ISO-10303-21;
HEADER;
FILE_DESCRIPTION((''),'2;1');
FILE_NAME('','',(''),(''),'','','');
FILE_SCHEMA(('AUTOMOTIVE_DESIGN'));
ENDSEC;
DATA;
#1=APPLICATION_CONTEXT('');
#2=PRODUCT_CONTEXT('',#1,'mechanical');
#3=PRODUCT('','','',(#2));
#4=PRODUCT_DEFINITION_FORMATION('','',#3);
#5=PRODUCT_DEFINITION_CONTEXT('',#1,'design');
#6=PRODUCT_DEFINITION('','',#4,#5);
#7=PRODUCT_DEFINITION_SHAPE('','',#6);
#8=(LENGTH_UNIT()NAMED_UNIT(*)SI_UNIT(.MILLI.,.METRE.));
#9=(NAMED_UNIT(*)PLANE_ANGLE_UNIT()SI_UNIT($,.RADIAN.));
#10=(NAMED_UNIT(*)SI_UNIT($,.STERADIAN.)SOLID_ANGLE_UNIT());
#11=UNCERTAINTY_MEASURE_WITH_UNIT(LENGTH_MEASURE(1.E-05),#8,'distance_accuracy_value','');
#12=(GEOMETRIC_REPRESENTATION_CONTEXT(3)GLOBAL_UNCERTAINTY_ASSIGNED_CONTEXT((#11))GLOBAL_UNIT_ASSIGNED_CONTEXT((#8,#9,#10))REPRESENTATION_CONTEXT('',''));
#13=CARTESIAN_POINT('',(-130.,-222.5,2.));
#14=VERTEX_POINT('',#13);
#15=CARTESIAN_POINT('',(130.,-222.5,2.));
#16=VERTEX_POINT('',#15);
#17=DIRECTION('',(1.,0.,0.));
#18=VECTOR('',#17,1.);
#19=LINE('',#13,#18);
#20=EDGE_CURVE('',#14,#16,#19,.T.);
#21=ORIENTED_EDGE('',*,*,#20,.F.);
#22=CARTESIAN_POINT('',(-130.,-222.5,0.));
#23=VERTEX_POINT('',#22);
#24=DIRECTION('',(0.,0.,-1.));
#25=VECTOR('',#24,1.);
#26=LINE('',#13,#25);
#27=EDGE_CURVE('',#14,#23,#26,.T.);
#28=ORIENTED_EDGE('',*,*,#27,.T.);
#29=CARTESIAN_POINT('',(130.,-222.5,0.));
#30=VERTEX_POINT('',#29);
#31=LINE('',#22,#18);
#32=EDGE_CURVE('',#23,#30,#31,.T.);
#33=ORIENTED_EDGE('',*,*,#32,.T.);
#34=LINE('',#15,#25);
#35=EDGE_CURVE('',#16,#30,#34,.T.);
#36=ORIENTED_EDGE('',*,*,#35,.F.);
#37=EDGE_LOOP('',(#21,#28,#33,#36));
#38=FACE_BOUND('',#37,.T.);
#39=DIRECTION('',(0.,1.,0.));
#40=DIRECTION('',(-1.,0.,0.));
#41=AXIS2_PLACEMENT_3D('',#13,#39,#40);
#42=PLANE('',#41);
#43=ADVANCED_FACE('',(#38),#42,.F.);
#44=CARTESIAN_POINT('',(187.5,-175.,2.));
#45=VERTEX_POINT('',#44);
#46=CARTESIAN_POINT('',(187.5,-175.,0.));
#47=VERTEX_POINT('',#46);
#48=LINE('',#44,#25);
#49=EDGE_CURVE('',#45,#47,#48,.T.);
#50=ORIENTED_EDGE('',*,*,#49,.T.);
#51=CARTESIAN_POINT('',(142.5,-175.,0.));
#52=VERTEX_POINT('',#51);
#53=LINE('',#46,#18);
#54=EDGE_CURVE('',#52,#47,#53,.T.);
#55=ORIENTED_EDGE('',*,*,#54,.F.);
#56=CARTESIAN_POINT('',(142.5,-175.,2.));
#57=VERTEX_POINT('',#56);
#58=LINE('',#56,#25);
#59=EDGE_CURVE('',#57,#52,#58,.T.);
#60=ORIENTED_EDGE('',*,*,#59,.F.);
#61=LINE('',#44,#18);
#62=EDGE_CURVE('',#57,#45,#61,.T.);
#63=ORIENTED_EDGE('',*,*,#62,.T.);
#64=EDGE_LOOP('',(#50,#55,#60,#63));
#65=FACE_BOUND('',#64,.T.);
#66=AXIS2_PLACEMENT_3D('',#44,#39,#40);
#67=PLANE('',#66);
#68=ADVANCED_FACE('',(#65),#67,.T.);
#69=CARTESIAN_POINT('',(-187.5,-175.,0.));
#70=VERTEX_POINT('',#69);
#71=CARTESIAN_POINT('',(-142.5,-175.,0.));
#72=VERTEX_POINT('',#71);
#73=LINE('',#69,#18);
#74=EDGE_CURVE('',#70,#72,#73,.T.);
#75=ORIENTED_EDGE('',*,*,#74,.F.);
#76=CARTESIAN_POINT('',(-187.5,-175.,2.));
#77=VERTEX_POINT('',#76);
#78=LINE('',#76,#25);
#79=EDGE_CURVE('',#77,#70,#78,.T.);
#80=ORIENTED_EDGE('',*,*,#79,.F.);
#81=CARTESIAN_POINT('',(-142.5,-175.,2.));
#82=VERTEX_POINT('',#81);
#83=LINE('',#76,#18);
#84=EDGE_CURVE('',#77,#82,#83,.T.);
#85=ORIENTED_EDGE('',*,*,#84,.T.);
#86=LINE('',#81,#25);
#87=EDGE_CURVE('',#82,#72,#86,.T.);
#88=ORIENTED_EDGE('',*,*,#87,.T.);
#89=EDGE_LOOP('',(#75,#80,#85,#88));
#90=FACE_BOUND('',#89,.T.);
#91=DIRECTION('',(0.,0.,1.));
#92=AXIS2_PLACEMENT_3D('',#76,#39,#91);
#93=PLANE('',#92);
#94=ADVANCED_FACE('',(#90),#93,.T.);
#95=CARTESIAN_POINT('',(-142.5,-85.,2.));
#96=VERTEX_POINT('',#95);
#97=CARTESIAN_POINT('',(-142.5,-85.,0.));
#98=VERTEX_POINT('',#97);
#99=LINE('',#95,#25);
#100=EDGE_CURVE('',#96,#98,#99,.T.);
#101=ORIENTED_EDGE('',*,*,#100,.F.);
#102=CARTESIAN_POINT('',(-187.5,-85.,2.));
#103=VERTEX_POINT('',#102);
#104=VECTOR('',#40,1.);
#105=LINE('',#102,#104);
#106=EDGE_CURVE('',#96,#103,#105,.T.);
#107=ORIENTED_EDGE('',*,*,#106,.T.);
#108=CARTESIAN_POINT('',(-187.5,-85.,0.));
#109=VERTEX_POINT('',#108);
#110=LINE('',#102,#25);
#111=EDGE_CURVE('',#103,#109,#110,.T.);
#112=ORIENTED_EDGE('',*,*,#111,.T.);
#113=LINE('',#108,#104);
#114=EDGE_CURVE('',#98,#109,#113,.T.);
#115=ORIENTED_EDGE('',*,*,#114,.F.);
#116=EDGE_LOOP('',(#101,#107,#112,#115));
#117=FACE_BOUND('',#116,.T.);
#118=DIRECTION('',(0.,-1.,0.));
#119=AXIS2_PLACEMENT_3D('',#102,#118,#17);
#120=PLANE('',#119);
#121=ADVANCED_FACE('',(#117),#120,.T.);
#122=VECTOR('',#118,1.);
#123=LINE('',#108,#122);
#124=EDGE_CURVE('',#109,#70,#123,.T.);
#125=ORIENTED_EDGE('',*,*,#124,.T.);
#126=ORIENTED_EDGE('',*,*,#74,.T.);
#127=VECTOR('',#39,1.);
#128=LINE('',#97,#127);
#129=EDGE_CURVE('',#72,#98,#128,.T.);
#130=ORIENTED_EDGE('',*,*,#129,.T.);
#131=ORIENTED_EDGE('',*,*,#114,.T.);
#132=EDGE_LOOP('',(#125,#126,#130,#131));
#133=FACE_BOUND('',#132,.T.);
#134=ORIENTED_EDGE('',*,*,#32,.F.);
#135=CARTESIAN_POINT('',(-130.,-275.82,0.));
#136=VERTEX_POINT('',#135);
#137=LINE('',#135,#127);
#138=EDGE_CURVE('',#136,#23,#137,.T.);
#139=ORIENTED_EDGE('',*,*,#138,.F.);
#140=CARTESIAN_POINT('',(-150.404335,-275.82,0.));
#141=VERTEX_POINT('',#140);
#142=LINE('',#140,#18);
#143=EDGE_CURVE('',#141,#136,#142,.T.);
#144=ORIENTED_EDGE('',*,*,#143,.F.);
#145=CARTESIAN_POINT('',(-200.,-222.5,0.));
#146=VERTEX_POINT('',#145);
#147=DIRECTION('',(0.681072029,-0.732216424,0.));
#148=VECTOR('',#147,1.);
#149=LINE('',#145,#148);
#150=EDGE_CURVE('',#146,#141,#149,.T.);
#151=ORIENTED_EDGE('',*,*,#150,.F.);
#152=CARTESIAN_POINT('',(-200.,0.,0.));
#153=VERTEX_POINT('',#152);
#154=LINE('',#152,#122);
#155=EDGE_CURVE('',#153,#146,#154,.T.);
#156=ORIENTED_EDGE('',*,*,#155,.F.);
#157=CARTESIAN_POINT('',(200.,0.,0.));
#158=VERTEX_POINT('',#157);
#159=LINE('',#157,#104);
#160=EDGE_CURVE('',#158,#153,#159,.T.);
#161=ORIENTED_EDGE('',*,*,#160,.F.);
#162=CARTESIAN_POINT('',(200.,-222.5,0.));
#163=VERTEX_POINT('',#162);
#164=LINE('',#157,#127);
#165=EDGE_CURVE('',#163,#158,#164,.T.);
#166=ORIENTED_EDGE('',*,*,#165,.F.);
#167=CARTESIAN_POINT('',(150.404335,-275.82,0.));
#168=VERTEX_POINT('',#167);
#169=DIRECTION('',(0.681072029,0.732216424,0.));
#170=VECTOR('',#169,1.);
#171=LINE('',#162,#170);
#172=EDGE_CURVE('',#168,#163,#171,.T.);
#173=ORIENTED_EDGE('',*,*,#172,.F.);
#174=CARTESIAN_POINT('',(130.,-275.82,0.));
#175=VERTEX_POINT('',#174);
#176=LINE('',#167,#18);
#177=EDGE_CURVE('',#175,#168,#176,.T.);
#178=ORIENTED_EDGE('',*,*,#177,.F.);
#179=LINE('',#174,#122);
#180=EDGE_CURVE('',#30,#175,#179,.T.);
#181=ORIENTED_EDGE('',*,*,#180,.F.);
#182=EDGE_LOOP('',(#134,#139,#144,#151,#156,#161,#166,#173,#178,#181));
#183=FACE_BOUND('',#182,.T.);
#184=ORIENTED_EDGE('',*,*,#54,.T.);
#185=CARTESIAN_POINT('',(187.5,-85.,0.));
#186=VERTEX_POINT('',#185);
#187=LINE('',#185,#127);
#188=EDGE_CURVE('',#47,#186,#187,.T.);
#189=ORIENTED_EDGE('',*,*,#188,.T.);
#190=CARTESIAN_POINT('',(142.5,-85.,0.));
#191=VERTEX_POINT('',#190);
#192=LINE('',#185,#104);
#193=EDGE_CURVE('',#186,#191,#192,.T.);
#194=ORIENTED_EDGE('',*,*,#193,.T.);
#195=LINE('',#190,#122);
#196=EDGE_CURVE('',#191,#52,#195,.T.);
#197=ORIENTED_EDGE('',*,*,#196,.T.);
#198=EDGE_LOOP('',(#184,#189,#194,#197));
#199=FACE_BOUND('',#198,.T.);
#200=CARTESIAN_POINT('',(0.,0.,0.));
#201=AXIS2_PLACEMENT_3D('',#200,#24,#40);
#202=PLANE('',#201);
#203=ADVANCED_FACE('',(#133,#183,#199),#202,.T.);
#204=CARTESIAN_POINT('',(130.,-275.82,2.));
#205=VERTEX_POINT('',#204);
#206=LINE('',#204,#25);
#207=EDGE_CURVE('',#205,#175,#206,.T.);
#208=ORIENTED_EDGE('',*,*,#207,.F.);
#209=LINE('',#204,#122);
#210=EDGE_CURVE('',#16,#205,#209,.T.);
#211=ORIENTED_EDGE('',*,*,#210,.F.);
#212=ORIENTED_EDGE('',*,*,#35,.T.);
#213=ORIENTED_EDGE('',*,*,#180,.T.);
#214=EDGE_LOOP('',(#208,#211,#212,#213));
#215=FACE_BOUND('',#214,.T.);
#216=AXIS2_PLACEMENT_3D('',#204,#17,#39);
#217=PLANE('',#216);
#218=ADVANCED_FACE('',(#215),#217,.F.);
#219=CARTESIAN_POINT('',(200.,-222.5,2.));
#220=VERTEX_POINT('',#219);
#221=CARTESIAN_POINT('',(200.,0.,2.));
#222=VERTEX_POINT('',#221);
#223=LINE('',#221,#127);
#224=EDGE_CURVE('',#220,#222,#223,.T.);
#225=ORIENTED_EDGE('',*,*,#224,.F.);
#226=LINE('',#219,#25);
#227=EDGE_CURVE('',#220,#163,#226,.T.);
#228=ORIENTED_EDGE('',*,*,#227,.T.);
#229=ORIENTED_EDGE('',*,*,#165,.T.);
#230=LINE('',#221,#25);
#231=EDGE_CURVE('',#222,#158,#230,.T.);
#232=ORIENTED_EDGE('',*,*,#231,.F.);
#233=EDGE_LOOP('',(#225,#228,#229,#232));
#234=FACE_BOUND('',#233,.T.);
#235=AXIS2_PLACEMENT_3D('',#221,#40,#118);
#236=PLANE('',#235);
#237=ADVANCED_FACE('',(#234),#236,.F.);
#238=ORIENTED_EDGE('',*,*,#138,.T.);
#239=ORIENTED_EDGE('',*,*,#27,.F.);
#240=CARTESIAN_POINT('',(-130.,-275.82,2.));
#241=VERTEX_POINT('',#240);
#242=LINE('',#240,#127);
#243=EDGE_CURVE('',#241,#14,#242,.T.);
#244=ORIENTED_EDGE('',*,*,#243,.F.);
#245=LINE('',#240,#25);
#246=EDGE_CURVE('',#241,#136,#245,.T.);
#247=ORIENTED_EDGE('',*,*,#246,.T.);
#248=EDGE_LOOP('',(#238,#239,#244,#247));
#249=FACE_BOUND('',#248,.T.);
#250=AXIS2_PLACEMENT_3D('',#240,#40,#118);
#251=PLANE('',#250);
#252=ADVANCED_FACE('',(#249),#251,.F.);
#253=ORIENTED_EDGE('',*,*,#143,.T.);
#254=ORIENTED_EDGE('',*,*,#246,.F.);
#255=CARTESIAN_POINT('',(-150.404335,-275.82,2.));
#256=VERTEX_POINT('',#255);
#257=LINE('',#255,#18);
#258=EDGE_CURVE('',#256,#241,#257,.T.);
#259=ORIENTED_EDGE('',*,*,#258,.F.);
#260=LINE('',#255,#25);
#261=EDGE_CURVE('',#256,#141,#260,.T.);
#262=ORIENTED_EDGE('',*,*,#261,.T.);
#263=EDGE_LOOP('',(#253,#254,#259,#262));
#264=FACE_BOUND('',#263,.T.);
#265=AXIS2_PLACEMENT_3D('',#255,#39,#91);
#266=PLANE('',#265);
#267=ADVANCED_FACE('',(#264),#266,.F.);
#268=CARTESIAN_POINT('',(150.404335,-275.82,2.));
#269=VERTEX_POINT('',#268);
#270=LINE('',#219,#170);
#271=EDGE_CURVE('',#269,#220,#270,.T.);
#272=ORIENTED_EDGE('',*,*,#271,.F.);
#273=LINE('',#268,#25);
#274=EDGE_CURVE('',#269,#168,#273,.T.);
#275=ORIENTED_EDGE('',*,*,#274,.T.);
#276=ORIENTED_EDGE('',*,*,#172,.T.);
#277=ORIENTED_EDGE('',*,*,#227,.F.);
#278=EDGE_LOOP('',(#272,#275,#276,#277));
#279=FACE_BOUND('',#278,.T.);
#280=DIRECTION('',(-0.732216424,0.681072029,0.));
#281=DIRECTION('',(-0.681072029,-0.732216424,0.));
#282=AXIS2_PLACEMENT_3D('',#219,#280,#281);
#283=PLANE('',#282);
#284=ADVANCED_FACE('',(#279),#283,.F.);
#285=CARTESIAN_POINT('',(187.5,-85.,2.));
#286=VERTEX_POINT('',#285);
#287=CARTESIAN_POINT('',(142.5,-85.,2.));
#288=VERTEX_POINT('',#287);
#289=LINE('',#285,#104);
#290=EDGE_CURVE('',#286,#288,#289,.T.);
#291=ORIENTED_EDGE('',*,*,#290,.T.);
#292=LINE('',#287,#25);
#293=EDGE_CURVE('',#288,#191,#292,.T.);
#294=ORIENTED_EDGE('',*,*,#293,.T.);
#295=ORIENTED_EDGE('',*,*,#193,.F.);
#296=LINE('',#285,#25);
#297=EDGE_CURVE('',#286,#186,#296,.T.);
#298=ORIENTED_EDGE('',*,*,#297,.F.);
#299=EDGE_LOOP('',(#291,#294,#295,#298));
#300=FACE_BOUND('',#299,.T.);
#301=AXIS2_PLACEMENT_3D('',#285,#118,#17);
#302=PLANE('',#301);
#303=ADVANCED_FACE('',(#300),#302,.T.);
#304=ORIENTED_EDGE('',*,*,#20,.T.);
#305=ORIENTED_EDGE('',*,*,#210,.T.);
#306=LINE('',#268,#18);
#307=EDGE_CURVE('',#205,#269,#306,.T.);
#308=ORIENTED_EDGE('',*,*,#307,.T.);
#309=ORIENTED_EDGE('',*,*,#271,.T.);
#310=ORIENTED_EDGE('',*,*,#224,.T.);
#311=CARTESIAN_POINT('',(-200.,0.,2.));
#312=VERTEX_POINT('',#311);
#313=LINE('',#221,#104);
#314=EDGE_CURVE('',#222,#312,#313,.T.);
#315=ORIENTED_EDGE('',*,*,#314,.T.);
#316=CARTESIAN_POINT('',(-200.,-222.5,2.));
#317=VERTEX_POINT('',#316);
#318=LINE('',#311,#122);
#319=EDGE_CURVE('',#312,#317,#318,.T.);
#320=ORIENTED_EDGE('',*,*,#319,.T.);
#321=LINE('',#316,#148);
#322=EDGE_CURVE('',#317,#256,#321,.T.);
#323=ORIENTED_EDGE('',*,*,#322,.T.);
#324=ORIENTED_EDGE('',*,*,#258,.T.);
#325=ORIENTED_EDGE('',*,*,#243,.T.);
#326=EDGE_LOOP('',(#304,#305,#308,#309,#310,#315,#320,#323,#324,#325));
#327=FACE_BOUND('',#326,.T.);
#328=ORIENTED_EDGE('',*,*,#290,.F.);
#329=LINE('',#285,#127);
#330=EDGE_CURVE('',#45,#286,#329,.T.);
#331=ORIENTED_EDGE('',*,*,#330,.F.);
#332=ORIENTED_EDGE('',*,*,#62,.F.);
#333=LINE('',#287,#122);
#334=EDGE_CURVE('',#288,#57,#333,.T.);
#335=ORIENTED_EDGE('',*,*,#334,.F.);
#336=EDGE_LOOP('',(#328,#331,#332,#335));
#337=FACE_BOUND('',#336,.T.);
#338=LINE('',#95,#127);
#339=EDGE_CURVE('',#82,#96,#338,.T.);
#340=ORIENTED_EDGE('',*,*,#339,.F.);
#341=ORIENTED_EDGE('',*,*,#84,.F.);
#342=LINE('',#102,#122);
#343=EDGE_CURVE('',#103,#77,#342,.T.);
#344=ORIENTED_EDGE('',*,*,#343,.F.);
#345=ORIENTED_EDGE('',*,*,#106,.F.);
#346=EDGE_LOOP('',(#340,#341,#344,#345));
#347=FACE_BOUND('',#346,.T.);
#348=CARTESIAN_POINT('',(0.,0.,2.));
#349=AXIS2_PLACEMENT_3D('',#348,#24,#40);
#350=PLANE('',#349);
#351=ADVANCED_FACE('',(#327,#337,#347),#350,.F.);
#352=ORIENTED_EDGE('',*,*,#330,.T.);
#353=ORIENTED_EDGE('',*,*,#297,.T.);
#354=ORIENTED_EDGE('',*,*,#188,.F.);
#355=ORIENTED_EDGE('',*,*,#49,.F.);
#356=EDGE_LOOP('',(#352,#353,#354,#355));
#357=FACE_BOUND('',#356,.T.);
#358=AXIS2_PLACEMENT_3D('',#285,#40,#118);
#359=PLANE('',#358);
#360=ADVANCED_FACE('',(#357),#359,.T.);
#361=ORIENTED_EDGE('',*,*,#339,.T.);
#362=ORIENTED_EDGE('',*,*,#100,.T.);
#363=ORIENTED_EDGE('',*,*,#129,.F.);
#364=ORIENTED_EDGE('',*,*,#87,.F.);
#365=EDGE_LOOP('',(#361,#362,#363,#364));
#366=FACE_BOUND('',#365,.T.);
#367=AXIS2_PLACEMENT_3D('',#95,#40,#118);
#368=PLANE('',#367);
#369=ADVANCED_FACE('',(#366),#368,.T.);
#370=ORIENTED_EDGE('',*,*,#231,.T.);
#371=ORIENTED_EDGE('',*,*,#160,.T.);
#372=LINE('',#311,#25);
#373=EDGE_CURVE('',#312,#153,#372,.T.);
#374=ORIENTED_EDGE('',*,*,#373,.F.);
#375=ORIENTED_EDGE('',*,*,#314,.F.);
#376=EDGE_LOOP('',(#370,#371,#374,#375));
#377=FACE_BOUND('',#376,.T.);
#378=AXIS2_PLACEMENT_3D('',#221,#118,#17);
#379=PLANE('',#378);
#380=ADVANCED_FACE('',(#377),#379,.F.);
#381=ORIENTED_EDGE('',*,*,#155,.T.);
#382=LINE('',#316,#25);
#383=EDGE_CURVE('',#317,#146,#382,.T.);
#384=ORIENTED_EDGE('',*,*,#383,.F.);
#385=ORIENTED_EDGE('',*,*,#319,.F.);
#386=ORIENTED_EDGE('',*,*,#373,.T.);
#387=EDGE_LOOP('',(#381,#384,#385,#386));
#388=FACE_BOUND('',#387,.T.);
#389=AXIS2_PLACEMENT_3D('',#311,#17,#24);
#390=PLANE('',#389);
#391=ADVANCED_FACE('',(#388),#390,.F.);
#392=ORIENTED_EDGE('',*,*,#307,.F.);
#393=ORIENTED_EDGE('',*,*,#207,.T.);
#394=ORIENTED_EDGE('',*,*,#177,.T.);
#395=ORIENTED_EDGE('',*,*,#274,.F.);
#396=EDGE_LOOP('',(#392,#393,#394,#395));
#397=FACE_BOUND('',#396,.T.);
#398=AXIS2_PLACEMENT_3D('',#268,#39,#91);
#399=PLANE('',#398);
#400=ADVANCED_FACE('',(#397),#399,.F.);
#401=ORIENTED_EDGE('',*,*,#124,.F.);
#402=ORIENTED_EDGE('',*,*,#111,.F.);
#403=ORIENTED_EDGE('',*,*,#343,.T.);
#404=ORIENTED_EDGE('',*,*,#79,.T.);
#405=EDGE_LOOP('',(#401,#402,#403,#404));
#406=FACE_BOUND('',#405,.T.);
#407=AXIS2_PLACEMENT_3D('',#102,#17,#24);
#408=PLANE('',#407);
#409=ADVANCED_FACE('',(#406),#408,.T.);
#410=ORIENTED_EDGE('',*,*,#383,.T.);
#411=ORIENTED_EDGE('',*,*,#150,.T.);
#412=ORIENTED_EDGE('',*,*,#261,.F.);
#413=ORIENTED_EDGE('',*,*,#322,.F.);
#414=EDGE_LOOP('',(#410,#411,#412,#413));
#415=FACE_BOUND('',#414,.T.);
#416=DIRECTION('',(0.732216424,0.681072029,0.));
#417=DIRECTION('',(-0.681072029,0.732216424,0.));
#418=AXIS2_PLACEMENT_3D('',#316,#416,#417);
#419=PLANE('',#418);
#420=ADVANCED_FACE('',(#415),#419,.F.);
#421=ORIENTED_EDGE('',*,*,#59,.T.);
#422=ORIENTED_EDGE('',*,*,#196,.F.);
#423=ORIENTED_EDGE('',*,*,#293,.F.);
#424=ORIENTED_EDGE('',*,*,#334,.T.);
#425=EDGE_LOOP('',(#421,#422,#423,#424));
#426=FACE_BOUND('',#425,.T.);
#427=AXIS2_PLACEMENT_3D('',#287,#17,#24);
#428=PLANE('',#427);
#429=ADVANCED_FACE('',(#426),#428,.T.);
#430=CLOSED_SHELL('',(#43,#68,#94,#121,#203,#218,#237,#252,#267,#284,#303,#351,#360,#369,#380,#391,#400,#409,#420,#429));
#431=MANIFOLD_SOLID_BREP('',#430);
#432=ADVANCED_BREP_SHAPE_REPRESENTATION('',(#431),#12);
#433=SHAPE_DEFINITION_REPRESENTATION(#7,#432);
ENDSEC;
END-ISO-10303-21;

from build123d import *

# Parameters (mm, degrees)
SKETCH1_W           = 45
SKETCH1_H           = 90
BOSS_EXTRUDE1_DEPTH = 2


with BuildPart() as part:
    # Sketch1 → Boss-Extrude1 (new body)
    with BuildSketch(Plane.XY):
        Polygon((200, 0), (-200, 0), (-200, -222.5), (-150.404334867, -275.82), (-130, -275.82), (-130, -222.5), (130, -222.5), (130, -275.82), (150.404334867, -275.82), (200, -222.5), align=None)
        with Locations((-165, -130)):
            Rectangle(SKETCH1_W, SKETCH1_H, mode=Mode.SUBTRACT)
        with Locations((165, -130)):
            Rectangle(SKETCH1_W, SKETCH1_H, mode=Mode.SUBTRACT)
    extrude(amount=BOSS_EXTRUDE1_DEPTH)


solid = part.part
